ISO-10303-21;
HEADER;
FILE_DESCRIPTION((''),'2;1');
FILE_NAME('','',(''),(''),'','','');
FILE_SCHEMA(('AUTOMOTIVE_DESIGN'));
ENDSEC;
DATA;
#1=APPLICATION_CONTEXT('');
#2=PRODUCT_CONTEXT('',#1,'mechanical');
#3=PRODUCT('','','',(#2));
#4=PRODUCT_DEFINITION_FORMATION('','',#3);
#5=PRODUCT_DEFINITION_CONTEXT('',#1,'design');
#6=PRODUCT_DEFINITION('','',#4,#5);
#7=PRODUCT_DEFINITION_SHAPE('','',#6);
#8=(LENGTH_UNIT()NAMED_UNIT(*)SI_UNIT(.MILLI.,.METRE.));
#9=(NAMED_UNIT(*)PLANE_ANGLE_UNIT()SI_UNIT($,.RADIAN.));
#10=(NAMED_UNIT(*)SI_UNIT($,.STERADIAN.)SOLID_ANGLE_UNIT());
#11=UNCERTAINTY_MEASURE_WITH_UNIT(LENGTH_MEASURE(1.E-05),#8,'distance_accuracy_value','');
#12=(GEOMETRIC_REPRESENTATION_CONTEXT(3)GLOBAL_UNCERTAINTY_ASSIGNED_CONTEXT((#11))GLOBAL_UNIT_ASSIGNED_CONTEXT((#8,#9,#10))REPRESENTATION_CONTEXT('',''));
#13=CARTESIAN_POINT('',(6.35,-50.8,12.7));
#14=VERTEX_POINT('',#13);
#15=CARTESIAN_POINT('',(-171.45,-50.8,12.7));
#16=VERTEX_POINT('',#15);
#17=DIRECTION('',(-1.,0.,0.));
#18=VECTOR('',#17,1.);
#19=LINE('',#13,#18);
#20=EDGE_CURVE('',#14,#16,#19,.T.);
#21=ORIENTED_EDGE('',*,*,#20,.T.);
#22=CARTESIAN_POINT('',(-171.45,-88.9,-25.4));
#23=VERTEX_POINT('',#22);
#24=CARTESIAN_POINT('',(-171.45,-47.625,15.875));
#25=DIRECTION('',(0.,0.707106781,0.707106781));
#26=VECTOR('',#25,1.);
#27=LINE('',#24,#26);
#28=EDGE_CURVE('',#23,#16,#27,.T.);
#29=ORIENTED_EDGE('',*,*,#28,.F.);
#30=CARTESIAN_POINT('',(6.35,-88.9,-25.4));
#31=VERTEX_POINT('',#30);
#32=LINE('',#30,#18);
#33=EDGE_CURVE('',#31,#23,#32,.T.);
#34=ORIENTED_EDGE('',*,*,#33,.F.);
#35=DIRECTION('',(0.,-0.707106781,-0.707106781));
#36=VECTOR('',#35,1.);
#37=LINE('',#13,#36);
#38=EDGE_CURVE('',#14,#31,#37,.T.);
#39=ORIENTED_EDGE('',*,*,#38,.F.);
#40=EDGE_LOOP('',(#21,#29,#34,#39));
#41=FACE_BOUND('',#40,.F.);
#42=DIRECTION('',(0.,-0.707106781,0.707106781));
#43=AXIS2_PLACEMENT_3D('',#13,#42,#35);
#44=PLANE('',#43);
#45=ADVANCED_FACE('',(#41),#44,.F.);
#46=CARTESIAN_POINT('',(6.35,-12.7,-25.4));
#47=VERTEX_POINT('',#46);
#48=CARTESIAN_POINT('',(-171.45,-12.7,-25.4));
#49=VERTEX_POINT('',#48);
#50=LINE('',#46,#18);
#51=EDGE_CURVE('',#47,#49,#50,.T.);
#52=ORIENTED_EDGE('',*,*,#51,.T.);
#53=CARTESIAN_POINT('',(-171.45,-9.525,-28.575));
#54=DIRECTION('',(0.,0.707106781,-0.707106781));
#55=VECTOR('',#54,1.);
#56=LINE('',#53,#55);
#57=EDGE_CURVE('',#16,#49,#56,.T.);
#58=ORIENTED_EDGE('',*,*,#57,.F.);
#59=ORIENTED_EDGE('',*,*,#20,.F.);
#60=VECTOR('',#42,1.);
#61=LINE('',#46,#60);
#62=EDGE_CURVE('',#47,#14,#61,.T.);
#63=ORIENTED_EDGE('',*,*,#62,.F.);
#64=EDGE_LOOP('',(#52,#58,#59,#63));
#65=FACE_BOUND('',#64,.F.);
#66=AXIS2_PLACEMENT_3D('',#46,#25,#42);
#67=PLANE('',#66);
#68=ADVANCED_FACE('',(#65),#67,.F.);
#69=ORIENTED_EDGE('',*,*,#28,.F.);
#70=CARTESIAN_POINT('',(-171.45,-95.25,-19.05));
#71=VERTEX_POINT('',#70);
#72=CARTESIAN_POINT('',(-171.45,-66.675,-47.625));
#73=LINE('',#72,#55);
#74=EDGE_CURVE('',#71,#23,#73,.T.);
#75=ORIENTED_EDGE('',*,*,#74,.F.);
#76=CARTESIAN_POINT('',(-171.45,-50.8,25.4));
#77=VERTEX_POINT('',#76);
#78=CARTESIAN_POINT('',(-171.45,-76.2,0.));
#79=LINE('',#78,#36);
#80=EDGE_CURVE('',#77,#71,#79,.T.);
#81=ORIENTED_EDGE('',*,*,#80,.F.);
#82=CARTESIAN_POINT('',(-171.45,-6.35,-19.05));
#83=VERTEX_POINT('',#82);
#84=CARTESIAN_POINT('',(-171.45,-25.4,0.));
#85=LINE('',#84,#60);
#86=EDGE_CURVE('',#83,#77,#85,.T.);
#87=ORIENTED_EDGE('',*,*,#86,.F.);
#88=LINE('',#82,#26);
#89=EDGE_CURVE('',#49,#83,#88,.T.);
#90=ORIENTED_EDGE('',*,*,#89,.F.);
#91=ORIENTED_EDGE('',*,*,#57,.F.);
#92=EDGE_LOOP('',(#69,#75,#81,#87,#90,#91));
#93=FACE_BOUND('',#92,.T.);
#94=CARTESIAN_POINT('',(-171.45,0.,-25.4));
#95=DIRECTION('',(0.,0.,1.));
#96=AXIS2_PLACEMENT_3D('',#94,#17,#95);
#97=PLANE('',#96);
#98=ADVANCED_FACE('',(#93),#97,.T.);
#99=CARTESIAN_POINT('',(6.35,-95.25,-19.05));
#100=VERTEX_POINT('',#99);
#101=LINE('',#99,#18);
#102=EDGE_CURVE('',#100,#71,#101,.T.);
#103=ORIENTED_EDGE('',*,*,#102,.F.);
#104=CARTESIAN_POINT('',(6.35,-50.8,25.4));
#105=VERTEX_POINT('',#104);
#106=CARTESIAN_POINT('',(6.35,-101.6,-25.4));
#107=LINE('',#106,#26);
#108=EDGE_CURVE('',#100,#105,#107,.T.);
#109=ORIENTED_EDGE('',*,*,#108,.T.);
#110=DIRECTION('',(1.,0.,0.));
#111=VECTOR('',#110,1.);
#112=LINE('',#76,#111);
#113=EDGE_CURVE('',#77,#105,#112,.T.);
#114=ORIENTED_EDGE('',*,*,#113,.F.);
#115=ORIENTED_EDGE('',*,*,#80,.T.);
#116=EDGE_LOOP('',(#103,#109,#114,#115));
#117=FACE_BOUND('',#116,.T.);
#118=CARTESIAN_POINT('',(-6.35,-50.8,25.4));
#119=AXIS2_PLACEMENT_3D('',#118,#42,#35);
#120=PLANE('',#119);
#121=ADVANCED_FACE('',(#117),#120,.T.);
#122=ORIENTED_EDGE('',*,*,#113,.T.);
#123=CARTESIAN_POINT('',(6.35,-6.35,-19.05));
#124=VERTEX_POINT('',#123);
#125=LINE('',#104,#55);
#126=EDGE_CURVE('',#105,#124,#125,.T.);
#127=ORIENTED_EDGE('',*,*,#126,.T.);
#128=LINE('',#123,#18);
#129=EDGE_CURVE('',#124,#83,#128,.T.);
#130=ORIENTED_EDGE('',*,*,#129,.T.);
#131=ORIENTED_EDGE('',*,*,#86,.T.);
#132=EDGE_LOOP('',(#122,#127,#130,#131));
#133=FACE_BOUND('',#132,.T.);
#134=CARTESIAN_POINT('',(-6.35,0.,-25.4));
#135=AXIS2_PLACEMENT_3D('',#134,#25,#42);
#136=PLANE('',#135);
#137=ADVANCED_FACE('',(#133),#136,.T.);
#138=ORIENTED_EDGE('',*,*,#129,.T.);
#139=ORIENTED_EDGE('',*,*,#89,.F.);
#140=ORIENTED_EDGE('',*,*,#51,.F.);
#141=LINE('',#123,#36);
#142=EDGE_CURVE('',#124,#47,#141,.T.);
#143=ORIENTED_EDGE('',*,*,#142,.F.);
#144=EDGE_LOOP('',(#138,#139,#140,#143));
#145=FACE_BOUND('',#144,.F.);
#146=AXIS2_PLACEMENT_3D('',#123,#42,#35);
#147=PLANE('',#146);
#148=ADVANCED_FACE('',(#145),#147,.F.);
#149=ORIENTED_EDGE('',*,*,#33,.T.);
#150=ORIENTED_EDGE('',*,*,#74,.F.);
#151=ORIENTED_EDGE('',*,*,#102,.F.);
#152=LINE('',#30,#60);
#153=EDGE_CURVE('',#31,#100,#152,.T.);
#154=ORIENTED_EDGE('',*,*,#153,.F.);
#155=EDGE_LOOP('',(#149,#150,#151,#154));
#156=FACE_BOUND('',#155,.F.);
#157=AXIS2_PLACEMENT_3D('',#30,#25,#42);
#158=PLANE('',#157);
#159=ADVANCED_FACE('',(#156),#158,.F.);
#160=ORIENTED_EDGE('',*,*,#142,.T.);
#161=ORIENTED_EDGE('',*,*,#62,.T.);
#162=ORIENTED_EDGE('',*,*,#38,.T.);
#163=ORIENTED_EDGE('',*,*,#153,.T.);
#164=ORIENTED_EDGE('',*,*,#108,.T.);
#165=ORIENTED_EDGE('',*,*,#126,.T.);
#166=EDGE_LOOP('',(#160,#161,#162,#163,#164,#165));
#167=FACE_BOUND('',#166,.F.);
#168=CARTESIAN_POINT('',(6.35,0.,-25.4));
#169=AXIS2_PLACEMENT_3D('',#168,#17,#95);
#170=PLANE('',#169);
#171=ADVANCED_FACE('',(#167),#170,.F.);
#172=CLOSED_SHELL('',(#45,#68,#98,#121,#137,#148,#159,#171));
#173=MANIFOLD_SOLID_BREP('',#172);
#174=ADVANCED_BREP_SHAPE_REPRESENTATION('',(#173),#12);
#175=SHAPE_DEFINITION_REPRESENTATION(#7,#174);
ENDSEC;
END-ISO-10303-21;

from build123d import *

# Parameters (mm, degrees)
F0_W     = 12.7
F0_H     = 50.8
F1_DEPTH = 101.6
F3_DEPTH = 12.701
F4_DEPTH = 165.1
F6_DEPTH = 177.801
F8_DEPTH = 177.801


with BuildPart() as f1:
    # F0 (on Front) → F1 (new body)
    with BuildSketch(Plane.XZ):
        Rectangle(F0_W, F0_H)
    extrude(amount=F1_DEPTH)

    # F2 (on face) → F3 (cut, through all)
    with BuildSketch(Plane.YZ.offset(6.35)):
        Polygon((-101.6, 25.4), (-101.6, -25.4), (-50.8, 25.4), align=None)
        Polygon((0, 25.4), (-50.8, 25.4), (0, -25.4), align=None)
    extrude(amount=-F3_DEPTH, mode=Mode.SUBTRACT)

    # F4 (add): a face of the model
    f4_faces = [f1.faces().sort_by_distance(p)[0] for p in [
        (-6.35, -50.8, -8.4666666667),
    ]]
    extrude(f4_faces, amount=F4_DEPTH)

    # F5 (on face) → F6 (cut, through all)
    with BuildSketch(Plane.YZ.offset(6.35)):
        Polygon((-50.7999999233, 12.7000000767), (-88.9, -25.4), (-12.6999998465, -25.4), align=None)
    extrude(amount=-F6_DEPTH, mode=Mode.SUBTRACT)

    # F7 (on face) → F8 (cut, through all)
    with BuildSketch(Plane.YZ.offset(6.35)):
        Polygon((-6.3499999233, -19.0500000767), (-12.6999998465, -25.4), (0, -25.4), align=None)
        Polygon((-101.6, -25.4), (-88.9, -25.4), (-95.25, -19.05), align=None)
    extrude(amount=-F8_DEPTH, mode=Mode.SUBTRACT)


solid = f1.part
